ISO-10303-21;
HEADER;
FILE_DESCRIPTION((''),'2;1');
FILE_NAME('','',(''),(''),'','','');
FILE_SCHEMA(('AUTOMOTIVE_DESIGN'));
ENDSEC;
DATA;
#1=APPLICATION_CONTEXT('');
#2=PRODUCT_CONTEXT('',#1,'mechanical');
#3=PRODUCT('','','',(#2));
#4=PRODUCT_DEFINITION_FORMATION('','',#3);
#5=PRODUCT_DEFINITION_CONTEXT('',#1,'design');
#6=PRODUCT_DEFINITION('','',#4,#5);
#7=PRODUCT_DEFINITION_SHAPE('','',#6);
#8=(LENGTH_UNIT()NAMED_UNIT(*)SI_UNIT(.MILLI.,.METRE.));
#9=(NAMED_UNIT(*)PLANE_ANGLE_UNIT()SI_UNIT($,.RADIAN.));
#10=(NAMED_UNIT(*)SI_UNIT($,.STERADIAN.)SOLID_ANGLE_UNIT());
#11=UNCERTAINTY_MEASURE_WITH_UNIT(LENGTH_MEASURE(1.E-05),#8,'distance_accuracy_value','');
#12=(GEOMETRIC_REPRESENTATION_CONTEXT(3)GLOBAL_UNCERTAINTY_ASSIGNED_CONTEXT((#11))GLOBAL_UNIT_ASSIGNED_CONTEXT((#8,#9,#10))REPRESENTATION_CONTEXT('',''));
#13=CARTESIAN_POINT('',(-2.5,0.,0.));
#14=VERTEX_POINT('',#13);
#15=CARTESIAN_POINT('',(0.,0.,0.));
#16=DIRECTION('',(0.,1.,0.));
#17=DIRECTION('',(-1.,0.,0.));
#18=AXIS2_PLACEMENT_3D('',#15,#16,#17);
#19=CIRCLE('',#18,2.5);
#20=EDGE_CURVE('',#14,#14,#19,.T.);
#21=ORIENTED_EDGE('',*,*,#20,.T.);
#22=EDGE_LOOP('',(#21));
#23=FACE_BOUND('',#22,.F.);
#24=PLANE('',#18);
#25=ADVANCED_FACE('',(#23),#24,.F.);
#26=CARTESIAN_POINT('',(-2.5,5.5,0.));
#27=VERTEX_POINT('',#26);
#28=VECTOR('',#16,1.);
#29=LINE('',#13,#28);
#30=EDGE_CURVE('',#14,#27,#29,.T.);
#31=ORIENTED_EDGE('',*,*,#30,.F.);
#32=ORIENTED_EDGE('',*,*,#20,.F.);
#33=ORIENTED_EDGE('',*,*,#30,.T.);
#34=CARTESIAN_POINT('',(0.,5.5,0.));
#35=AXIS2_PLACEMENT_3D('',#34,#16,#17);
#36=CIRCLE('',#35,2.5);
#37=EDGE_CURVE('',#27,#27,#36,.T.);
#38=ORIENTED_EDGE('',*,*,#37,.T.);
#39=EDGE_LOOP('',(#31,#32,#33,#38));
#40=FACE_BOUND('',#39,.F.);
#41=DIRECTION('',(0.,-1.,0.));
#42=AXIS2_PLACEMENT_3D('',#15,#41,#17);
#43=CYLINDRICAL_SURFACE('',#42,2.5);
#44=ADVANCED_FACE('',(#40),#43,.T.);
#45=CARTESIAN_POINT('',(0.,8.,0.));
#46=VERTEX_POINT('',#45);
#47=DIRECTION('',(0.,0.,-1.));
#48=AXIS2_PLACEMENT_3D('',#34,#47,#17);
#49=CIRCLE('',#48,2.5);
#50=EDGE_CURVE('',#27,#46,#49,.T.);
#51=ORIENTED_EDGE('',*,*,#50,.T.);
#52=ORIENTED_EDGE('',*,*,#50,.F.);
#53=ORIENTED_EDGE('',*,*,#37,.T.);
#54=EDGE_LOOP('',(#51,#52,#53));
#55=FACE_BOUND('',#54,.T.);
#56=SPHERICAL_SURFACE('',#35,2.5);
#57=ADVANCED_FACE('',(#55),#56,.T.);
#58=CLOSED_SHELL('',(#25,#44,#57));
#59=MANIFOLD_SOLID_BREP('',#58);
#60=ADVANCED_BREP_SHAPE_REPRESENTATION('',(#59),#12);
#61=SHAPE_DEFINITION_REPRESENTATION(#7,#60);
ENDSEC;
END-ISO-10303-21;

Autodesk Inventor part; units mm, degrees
ref_plane "YZ Plane" through (0, 0, 0) normal (1, 0, 0) x (0, 1, 0)
ref_plane "XZ Plane" through (0, 0, 0) normal (0, 1, 0) x (-1, 0, 0)
ref_plane "XY Plane" through (0, 0, 0) normal (0, 0, 1) x (1, 0, 0)
sketch "Sketch1" plane through (0, 0, 0) normal (0, 1, 0) x (-1, 0, 0)
  circle A0 centre (0, 0) radius 2.5
  dimension "d0" = 5
extrude "Extrusion1" add sketch "Sketch1" along normal blind 8
fillet "Fillet1" radius 2.5 1 edges at (2.5, 8, 0)
properties part number "Red_LED"
